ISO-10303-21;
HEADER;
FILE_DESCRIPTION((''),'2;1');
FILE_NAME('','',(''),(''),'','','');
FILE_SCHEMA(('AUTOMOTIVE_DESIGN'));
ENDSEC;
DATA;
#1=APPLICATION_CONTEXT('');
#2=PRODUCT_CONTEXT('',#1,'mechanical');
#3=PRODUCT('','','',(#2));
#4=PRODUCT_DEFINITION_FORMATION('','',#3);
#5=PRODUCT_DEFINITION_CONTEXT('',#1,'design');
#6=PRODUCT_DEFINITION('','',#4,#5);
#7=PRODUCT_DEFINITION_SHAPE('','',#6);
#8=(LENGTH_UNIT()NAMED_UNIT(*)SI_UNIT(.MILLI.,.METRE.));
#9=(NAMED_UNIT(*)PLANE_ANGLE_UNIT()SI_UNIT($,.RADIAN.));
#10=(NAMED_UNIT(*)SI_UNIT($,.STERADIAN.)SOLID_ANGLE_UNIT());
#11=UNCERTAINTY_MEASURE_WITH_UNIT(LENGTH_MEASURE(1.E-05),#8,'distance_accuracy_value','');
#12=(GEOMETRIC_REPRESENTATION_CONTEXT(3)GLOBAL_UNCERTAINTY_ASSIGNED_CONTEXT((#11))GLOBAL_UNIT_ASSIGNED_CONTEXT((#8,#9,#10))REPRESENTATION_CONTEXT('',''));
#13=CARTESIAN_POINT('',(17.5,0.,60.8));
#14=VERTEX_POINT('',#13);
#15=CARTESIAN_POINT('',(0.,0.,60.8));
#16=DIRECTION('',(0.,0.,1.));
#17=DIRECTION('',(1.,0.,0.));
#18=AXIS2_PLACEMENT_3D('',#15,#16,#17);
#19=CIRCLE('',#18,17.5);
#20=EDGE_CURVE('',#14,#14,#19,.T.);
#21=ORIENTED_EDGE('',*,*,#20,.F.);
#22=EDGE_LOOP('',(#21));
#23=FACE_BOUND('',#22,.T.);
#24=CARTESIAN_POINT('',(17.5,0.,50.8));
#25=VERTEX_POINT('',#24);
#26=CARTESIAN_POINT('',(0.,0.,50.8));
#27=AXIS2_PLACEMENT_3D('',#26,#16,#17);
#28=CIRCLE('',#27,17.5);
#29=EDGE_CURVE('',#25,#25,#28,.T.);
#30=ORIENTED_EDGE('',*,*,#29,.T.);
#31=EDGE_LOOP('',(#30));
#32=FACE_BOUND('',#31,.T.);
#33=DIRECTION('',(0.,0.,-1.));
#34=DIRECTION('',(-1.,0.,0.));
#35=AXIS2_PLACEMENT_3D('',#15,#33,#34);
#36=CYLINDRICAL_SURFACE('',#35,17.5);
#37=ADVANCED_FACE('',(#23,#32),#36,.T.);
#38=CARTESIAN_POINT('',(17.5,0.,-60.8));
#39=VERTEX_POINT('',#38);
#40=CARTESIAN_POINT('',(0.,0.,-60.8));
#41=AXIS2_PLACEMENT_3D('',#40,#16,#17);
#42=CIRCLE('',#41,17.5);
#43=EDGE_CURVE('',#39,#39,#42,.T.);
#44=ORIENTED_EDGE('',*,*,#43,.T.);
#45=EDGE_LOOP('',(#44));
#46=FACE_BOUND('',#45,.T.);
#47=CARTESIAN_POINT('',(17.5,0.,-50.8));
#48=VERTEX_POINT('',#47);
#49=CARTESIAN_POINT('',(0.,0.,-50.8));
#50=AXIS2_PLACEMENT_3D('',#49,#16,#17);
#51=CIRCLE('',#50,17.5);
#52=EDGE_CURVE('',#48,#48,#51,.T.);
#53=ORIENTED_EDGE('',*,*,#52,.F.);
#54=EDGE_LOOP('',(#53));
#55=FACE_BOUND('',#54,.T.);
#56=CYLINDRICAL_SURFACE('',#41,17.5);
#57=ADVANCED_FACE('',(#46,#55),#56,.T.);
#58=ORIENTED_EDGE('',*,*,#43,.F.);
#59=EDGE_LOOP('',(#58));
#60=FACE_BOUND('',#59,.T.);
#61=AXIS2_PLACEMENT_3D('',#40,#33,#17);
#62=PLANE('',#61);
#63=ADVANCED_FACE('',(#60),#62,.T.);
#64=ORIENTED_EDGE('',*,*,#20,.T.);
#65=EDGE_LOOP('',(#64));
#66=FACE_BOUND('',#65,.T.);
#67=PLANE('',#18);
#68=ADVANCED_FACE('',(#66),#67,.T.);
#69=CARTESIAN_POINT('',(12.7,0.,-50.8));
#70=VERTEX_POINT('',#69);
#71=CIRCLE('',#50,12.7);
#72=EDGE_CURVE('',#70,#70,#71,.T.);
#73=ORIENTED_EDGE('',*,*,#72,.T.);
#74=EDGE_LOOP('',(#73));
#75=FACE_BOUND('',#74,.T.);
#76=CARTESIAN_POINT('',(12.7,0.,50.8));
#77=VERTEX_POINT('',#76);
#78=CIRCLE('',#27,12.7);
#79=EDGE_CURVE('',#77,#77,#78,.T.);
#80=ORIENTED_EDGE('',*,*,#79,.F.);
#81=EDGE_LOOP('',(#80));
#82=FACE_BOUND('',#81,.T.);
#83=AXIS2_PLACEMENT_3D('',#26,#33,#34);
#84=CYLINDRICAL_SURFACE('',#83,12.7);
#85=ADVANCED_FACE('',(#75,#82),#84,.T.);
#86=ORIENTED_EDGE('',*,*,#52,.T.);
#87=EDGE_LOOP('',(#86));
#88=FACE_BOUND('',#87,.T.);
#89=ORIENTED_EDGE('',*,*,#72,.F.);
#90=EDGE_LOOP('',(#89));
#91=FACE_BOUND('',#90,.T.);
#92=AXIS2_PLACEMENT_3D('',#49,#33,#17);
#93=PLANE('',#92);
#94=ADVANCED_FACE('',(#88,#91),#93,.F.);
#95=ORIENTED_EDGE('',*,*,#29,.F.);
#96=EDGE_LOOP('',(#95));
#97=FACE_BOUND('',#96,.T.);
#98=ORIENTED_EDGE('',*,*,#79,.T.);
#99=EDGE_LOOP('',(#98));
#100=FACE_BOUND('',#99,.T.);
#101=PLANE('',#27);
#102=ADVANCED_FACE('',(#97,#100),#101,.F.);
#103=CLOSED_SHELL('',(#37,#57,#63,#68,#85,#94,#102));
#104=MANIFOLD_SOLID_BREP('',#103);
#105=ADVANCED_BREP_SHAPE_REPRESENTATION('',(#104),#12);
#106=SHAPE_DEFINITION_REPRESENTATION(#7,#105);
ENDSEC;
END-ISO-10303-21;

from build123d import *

# Parameters (mm, degrees)
SKETCH1_R           = 12.7
BOSS_EXTRUDE1_DEPTH = 50.8
SKETCH2_R           = 17.5
BOSS_EXTRUDE2_DEPTH = 10


with BuildPart() as part:
    # Sketch1 → Boss-Extrude1 (new, symmetric)
    with BuildSketch(Plane.XY):
        Circle(SKETCH1_R)
    extrude(amount=BOSS_EXTRUDE1_DEPTH, both=True)

    # Sketch2 → Boss-Extrude2 (add)
    with BuildSketch(Plane.XY.offset(50.8)):
        Circle(SKETCH2_R)
    boss_extrude2 = extrude(amount=BOSS_EXTRUDE2_DEPTH)

    # Mirror1: Boss-Extrude2 across plane
    add(boss_extrude2.mirror(Plane.XY))


solid = part.part
